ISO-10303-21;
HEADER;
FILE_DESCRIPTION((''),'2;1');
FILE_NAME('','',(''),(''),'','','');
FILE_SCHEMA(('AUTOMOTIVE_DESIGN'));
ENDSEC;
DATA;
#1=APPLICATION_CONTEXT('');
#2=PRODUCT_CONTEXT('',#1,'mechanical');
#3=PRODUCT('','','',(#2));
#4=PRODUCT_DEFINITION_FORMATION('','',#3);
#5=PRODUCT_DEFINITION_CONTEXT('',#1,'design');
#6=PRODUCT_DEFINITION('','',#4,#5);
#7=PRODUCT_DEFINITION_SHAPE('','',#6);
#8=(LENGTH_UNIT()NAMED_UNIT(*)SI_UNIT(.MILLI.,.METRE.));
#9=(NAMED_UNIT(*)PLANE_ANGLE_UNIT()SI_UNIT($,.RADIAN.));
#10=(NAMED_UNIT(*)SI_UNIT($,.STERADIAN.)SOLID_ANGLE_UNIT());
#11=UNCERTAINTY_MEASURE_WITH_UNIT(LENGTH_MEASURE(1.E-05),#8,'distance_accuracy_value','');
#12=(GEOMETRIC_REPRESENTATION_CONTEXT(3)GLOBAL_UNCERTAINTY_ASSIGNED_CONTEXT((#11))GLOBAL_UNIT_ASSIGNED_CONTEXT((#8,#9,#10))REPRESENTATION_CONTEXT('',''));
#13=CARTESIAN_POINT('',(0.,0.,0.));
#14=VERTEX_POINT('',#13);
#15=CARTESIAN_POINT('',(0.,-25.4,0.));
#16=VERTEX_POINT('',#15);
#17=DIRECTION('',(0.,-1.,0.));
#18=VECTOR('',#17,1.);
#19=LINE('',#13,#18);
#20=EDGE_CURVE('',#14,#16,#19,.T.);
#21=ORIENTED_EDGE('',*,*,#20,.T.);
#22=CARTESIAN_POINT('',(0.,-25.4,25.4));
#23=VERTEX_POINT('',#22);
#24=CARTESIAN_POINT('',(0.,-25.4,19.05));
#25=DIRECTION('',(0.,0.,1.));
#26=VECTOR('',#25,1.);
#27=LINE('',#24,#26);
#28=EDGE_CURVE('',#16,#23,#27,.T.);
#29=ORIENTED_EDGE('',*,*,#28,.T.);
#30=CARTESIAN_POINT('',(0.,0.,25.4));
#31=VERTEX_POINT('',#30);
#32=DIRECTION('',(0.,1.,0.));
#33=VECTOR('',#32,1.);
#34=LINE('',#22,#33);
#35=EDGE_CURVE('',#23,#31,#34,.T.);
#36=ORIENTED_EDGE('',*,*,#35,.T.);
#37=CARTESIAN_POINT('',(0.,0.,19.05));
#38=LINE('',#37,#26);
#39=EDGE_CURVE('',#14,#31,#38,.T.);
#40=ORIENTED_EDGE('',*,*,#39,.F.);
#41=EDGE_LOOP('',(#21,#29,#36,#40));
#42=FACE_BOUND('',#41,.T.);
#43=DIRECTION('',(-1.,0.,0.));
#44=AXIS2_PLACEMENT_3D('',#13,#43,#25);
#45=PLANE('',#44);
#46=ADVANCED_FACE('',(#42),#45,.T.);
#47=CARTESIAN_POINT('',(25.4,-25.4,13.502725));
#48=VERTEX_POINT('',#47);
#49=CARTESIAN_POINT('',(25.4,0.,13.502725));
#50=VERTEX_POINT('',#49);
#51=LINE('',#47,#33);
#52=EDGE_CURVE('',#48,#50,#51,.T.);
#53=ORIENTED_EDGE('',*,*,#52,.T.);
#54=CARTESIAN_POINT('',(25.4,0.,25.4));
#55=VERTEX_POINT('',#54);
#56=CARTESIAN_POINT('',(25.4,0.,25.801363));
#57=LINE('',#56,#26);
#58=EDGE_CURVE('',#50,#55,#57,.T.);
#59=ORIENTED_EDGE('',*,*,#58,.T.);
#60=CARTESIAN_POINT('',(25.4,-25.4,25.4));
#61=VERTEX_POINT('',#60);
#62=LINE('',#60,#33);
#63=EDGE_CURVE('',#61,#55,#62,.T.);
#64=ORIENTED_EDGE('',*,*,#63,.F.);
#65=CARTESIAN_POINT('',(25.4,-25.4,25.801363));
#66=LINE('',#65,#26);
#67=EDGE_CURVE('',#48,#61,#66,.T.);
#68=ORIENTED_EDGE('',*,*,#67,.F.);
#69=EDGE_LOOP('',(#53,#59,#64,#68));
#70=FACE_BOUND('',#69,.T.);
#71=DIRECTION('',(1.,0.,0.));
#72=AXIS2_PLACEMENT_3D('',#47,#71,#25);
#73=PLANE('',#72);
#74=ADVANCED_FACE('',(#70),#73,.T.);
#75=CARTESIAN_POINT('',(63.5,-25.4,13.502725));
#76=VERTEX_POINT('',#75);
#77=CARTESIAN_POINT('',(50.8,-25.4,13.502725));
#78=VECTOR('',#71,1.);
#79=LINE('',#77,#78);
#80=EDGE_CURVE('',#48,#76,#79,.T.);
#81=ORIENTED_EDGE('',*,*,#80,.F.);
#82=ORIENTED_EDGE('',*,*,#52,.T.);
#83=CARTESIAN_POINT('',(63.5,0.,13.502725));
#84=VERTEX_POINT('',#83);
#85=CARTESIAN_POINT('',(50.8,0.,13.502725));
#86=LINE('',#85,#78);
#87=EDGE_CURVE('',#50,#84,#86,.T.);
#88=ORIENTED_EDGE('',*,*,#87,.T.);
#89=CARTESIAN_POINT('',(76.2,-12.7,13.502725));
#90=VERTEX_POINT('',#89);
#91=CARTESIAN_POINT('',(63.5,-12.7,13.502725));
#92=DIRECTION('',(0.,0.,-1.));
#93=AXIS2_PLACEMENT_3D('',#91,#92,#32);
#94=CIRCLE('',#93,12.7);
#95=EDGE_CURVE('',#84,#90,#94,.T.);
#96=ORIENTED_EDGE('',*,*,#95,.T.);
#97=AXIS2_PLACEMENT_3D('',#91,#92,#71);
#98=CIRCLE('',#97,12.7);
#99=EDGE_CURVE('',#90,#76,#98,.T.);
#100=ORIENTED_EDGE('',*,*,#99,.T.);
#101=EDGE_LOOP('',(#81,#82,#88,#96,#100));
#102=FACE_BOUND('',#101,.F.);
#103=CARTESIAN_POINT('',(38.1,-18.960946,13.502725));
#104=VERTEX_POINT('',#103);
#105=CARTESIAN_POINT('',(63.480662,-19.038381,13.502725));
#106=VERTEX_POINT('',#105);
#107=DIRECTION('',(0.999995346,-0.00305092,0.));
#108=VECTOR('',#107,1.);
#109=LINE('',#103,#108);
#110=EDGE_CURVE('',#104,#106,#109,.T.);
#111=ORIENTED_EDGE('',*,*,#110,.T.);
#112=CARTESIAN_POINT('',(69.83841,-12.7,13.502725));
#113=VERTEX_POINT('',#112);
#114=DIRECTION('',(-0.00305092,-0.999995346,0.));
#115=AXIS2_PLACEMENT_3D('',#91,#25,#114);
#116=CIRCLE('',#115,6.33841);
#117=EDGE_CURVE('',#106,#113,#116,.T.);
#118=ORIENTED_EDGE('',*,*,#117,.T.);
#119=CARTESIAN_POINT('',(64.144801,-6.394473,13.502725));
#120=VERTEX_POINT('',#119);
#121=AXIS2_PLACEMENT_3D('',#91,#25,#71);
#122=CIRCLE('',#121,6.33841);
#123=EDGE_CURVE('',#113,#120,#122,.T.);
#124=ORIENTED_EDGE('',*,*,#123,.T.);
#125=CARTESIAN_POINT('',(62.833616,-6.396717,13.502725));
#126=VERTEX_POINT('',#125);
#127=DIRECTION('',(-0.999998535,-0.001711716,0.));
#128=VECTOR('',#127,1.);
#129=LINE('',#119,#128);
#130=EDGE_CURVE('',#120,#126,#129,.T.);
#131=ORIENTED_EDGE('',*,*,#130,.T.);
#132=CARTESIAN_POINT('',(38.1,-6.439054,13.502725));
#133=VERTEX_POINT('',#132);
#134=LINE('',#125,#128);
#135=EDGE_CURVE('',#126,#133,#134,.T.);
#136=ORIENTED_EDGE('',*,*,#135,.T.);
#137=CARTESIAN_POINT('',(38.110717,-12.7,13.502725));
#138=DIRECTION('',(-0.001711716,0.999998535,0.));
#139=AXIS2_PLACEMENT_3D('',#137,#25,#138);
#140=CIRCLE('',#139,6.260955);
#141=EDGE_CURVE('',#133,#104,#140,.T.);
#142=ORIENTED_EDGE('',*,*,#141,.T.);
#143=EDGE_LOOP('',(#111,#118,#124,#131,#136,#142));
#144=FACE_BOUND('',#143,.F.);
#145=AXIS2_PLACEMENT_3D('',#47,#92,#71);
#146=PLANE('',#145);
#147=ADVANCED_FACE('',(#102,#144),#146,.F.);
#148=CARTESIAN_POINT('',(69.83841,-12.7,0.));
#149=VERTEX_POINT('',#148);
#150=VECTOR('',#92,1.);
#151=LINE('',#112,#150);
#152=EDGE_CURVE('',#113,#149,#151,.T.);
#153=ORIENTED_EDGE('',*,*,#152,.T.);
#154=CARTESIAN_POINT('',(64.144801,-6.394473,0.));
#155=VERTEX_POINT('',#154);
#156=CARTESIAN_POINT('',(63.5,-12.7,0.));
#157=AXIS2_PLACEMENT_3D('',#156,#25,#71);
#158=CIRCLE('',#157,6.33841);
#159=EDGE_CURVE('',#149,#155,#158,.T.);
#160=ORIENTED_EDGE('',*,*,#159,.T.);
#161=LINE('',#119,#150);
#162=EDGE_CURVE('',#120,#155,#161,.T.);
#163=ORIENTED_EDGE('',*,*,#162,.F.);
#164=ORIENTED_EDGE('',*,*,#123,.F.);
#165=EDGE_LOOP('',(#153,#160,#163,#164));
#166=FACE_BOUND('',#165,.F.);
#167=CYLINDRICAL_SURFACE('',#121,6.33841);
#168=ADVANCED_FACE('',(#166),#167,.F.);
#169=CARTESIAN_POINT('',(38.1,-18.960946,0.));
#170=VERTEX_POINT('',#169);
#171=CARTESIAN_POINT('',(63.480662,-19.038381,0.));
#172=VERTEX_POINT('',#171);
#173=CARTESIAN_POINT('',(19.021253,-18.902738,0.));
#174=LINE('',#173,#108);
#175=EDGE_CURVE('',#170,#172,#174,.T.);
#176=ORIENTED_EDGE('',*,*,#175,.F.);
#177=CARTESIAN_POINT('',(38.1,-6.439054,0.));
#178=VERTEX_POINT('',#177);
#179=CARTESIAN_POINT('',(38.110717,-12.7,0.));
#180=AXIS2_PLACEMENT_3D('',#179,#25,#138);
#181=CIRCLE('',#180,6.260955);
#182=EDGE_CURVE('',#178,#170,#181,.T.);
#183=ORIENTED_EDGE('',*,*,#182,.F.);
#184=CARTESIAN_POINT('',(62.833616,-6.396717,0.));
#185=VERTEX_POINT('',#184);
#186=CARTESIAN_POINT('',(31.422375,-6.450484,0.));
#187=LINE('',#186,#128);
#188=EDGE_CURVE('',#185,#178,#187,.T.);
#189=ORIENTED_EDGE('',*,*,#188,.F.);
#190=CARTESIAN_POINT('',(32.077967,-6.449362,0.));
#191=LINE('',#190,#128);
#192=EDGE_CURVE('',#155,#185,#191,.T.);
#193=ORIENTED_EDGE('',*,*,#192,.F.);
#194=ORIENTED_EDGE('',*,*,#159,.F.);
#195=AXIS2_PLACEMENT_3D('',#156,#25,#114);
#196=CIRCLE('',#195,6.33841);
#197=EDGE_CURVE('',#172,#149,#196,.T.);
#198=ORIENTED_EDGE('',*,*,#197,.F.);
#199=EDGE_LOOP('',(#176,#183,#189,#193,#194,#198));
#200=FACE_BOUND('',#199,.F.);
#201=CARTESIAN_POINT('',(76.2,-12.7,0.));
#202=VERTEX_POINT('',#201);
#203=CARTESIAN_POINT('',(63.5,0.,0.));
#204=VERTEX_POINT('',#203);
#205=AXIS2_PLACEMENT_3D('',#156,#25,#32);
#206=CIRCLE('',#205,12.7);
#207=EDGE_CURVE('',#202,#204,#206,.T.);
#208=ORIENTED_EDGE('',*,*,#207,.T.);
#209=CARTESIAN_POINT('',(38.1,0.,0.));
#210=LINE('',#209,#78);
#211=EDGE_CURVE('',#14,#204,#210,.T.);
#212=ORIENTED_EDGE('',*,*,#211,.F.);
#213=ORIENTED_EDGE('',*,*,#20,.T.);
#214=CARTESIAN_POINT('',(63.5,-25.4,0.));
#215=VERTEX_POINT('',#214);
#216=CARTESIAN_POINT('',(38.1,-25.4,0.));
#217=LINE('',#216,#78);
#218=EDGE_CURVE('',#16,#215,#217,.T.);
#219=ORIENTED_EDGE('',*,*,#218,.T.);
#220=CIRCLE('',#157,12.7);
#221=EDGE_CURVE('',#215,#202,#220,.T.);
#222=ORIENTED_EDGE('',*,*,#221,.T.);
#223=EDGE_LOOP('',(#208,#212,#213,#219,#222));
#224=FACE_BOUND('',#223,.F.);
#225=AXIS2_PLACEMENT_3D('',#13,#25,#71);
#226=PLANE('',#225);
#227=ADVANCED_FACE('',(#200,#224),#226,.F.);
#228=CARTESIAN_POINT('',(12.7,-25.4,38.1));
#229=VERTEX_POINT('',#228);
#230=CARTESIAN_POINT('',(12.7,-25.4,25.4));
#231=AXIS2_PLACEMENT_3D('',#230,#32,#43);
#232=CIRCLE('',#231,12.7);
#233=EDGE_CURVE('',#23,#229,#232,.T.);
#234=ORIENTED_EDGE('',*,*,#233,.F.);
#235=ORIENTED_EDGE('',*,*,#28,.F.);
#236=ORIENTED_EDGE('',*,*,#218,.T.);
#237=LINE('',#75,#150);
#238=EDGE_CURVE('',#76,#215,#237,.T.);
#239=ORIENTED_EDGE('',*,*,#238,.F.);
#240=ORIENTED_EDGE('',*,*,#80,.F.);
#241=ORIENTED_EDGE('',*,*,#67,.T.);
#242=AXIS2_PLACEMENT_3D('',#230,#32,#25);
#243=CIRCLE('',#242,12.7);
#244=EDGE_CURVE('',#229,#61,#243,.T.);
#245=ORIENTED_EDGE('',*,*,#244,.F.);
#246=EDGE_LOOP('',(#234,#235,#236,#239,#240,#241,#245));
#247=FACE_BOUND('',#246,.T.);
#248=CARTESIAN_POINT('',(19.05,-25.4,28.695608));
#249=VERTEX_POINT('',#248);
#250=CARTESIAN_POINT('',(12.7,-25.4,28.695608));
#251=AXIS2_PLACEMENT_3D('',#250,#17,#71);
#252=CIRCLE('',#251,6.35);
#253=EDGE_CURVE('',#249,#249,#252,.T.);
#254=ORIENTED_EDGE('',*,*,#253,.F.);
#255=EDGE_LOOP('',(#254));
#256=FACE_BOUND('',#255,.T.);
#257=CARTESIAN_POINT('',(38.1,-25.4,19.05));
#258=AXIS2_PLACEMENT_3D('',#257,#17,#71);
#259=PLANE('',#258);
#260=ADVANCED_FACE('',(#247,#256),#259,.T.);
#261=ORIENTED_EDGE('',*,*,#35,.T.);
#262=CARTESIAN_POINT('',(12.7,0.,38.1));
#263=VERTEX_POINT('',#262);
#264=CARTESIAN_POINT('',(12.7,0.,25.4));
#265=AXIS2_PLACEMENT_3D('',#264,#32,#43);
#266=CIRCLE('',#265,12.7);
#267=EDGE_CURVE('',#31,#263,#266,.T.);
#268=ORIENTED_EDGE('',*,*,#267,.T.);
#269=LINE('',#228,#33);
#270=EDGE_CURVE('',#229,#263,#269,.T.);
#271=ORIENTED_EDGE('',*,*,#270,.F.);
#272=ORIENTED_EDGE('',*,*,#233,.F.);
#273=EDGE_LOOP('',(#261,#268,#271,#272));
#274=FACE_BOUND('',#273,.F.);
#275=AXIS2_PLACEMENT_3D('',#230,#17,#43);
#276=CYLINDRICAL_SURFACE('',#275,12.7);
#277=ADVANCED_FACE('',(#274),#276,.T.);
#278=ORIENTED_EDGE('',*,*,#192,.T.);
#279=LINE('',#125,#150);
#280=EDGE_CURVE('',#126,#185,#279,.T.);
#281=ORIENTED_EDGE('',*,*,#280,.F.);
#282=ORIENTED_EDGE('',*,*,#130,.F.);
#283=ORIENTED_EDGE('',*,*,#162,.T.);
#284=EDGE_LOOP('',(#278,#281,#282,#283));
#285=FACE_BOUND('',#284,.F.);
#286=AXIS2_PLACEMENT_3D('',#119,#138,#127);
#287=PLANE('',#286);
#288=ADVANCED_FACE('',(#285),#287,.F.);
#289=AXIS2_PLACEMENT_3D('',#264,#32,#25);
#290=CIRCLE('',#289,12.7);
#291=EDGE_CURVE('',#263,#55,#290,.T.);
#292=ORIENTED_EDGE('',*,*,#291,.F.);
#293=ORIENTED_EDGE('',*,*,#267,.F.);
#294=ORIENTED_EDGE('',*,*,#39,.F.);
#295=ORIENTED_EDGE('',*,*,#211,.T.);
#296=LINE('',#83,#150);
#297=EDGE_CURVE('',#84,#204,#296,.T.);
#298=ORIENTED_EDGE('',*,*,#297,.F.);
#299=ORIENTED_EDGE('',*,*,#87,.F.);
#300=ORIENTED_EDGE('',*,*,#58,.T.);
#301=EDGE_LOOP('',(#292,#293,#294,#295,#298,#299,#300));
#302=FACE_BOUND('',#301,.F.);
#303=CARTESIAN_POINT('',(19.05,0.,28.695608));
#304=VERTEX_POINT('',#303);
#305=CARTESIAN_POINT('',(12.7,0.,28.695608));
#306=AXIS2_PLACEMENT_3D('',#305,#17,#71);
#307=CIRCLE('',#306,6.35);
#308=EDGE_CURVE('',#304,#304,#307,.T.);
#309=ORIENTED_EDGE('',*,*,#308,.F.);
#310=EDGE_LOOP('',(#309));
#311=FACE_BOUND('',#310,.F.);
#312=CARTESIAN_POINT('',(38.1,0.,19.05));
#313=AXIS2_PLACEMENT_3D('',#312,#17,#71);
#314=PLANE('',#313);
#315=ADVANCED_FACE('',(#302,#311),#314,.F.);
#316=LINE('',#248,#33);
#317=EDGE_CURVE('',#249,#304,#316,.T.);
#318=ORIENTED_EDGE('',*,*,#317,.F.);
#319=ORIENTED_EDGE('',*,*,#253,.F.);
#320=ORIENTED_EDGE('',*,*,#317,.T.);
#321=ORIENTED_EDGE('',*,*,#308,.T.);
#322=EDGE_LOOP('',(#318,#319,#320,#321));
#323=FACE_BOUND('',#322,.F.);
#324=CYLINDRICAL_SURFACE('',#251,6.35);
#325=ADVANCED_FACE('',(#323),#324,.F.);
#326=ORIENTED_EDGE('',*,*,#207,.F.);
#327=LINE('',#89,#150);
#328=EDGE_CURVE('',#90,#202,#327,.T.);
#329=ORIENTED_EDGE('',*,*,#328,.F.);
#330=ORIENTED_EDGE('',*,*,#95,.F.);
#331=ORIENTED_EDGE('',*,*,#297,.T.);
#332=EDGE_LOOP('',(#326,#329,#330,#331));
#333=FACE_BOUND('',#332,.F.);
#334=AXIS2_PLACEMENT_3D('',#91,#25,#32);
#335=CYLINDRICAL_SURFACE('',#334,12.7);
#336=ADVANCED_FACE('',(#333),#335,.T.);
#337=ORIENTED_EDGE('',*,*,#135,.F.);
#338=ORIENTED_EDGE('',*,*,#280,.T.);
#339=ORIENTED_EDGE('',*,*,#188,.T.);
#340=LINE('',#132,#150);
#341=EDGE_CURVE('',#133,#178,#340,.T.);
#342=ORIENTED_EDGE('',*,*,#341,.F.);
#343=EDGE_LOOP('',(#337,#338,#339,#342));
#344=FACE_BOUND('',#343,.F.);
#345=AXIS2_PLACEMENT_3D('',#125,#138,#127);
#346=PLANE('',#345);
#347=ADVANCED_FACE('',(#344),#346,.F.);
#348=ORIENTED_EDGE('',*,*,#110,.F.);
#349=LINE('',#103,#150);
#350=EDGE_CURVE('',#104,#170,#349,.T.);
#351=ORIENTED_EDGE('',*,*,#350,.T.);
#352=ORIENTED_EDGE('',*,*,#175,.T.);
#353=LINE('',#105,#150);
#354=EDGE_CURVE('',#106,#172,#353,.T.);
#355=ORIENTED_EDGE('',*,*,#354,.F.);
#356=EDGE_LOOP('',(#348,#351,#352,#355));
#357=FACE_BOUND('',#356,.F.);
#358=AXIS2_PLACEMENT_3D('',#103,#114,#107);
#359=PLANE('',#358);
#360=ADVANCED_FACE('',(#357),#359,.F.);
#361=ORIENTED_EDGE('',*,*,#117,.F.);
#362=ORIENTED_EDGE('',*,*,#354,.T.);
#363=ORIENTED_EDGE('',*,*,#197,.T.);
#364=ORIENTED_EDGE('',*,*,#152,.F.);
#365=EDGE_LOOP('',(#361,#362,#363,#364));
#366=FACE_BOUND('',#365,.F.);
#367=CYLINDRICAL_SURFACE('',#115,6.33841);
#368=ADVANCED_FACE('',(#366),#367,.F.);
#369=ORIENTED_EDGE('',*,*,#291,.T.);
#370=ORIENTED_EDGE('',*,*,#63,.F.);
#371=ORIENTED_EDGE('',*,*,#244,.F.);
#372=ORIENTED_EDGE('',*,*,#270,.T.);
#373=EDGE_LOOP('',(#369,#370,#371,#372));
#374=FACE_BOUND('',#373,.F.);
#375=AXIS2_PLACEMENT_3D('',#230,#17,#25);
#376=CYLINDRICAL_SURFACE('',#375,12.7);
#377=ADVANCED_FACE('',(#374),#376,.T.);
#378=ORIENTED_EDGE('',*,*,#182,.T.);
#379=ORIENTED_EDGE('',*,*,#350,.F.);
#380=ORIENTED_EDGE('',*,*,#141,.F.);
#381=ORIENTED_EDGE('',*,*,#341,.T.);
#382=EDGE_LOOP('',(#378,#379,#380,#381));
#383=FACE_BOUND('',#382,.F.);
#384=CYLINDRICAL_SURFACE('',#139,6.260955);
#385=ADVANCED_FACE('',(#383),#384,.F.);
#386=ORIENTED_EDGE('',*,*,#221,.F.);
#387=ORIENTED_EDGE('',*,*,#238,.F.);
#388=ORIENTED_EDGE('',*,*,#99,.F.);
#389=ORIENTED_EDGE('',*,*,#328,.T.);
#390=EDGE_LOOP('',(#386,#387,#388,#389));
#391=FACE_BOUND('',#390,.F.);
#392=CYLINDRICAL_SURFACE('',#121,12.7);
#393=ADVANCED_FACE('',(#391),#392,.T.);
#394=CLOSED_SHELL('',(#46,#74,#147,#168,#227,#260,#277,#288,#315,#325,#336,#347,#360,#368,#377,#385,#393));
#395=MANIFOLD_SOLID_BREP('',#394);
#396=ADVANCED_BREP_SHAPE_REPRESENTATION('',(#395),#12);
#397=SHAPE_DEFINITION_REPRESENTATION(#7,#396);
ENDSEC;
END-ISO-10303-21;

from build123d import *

# Parameters (mm, degrees)
F0_W      = 76.2
F0_H      = 38.1
F1_DEPTH  = 25.4
F2_W      = 50.8
F2_H      = 24.5972746
F3_DEPTH  = 25.4
F4_R      = 6.35
F5_DEPTH  = 25.4
F7_DEPTH  = 25.4
F9_DEPTH  = 25.4
F11_DEPTH = 25.4


with BuildPart() as f1:
    # F0 (on Front) → F1 (new body)
    with BuildSketch(Plane.XZ):
        with Locations((38.1, 19.05)):
            Rectangle(F0_W, F0_H)
    extrude(amount=F1_DEPTH)

    # F2 (on face) → F3 (cut)
    with BuildSketch(Plane.XZ.offset(25.4)):
        with Locations((50.8, 25.8013627)):
            Rectangle(F2_W, F2_H)
    extrude(amount=-F3_DEPTH, mode=Mode.SUBTRACT)

    # F4 (on face) → F5 (cut)
    with BuildSketch(Plane.XZ.offset(25.4)):
        with Locations((12.7, 28.6956075579)):
            Circle(F4_R)
    extrude(amount=-F5_DEPTH, mode=Mode.SUBTRACT)

    # F6 (on face) → F7 (cut)
    with BuildSketch(Plane.XZ.offset(25.4)):
        with BuildLine():
            ThreePointArc((0, 25.4), (3.7197438789, 34.3802561211), (12.7, 38.1))
            Line((12.7, 38.1), (0, 38.1))
            Line((0, 38.1), (0, 25.4))
        make_face()
        with BuildLine():
            ThreePointArc((12.7, 38.1), (21.6802561211, 34.3802561211), (25.4, 25.4))
            Line((25.4, 25.4), (25.4, 38.1))
            Line((25.4, 38.1), (12.7, 38.1))
        make_face()
    extrude(amount=-F7_DEPTH, mode=Mode.SUBTRACT)

    # F8 (on face) → F9 (cut)
    with BuildSketch(Plane.XY.offset(13.5027254)):
        with BuildLine():
            ThreePointArc((63.5, 0), (72.4802561211, -3.7197438789), (76.2, -12.7))
            Line((76.2, -12.7), (76.2, 0))
            Line((76.2, 0), (63.5, 0))
        make_face()
        with BuildLine():
            ThreePointArc((76.2, -12.7), (72.4802561211, -21.6802561211), (63.5, -25.4))
            Line((63.5, -25.4), (76.2, -25.4))
            Line((76.2, -25.4), (76.2, -12.7))
        make_face()
    extrude(amount=-F9_DEPTH, mode=Mode.SUBTRACT)

    # F10 (on face) → F11 (cut)
    with BuildSketch(Plane.XY.offset(13.5027254)):
        with BuildLine():
            ThreePointArc((63.480662017, -19.0383808314), (67.9750906946, -17.1887647294), (69.8384103307, -12.7))
            ThreePointArc((69.8384103307, -12.7), (68.2043841634, -8.4521517018), (64.1448012955, -6.3944725193))
            Line((64.1448012955, -6.3944725193), (62.8336159646, -6.3967169))
            ThreePointArc((62.8336159646, -6.3967169), (57.1698759562, -13.0239986283), (63.480662017, -19.0383808314))
        make_face()
        with BuildLine():
            Line((38.1, -18.9609461011), (63.480662017, -19.0383808314))
            ThreePointArc((63.480662017, -19.0383808314), (57.1698759562, -13.0239986283), (62.8336159646, -6.3967169))
            Line((62.8336159646, -6.3967169), (38.1, -6.4390538989))
            ThreePointArc((38.1, -6.4390538989), (42.534090263, -8.269048665), (44.3716722533, -12.7))
            ThreePointArc((44.3716722533, -12.7), (42.534090263, -17.130951335), (38.1, -18.9609461011))
        make_face()
        with BuildLine():
            ThreePointArc((38.1, -6.4390538989), (31.8497617067, -12.7), (38.1, -18.9609461011))
            ThreePointArc((38.1, -18.9609461011), (42.534090263, -17.130951335), (44.3716722533, -12.7))
            ThreePointArc((44.3716722533, -12.7), (42.534090263, -8.269048665), (38.1, -6.4390538989))
        make_face()
    extrude(amount=-F11_DEPTH, mode=Mode.SUBTRACT)


solid = f1.part
